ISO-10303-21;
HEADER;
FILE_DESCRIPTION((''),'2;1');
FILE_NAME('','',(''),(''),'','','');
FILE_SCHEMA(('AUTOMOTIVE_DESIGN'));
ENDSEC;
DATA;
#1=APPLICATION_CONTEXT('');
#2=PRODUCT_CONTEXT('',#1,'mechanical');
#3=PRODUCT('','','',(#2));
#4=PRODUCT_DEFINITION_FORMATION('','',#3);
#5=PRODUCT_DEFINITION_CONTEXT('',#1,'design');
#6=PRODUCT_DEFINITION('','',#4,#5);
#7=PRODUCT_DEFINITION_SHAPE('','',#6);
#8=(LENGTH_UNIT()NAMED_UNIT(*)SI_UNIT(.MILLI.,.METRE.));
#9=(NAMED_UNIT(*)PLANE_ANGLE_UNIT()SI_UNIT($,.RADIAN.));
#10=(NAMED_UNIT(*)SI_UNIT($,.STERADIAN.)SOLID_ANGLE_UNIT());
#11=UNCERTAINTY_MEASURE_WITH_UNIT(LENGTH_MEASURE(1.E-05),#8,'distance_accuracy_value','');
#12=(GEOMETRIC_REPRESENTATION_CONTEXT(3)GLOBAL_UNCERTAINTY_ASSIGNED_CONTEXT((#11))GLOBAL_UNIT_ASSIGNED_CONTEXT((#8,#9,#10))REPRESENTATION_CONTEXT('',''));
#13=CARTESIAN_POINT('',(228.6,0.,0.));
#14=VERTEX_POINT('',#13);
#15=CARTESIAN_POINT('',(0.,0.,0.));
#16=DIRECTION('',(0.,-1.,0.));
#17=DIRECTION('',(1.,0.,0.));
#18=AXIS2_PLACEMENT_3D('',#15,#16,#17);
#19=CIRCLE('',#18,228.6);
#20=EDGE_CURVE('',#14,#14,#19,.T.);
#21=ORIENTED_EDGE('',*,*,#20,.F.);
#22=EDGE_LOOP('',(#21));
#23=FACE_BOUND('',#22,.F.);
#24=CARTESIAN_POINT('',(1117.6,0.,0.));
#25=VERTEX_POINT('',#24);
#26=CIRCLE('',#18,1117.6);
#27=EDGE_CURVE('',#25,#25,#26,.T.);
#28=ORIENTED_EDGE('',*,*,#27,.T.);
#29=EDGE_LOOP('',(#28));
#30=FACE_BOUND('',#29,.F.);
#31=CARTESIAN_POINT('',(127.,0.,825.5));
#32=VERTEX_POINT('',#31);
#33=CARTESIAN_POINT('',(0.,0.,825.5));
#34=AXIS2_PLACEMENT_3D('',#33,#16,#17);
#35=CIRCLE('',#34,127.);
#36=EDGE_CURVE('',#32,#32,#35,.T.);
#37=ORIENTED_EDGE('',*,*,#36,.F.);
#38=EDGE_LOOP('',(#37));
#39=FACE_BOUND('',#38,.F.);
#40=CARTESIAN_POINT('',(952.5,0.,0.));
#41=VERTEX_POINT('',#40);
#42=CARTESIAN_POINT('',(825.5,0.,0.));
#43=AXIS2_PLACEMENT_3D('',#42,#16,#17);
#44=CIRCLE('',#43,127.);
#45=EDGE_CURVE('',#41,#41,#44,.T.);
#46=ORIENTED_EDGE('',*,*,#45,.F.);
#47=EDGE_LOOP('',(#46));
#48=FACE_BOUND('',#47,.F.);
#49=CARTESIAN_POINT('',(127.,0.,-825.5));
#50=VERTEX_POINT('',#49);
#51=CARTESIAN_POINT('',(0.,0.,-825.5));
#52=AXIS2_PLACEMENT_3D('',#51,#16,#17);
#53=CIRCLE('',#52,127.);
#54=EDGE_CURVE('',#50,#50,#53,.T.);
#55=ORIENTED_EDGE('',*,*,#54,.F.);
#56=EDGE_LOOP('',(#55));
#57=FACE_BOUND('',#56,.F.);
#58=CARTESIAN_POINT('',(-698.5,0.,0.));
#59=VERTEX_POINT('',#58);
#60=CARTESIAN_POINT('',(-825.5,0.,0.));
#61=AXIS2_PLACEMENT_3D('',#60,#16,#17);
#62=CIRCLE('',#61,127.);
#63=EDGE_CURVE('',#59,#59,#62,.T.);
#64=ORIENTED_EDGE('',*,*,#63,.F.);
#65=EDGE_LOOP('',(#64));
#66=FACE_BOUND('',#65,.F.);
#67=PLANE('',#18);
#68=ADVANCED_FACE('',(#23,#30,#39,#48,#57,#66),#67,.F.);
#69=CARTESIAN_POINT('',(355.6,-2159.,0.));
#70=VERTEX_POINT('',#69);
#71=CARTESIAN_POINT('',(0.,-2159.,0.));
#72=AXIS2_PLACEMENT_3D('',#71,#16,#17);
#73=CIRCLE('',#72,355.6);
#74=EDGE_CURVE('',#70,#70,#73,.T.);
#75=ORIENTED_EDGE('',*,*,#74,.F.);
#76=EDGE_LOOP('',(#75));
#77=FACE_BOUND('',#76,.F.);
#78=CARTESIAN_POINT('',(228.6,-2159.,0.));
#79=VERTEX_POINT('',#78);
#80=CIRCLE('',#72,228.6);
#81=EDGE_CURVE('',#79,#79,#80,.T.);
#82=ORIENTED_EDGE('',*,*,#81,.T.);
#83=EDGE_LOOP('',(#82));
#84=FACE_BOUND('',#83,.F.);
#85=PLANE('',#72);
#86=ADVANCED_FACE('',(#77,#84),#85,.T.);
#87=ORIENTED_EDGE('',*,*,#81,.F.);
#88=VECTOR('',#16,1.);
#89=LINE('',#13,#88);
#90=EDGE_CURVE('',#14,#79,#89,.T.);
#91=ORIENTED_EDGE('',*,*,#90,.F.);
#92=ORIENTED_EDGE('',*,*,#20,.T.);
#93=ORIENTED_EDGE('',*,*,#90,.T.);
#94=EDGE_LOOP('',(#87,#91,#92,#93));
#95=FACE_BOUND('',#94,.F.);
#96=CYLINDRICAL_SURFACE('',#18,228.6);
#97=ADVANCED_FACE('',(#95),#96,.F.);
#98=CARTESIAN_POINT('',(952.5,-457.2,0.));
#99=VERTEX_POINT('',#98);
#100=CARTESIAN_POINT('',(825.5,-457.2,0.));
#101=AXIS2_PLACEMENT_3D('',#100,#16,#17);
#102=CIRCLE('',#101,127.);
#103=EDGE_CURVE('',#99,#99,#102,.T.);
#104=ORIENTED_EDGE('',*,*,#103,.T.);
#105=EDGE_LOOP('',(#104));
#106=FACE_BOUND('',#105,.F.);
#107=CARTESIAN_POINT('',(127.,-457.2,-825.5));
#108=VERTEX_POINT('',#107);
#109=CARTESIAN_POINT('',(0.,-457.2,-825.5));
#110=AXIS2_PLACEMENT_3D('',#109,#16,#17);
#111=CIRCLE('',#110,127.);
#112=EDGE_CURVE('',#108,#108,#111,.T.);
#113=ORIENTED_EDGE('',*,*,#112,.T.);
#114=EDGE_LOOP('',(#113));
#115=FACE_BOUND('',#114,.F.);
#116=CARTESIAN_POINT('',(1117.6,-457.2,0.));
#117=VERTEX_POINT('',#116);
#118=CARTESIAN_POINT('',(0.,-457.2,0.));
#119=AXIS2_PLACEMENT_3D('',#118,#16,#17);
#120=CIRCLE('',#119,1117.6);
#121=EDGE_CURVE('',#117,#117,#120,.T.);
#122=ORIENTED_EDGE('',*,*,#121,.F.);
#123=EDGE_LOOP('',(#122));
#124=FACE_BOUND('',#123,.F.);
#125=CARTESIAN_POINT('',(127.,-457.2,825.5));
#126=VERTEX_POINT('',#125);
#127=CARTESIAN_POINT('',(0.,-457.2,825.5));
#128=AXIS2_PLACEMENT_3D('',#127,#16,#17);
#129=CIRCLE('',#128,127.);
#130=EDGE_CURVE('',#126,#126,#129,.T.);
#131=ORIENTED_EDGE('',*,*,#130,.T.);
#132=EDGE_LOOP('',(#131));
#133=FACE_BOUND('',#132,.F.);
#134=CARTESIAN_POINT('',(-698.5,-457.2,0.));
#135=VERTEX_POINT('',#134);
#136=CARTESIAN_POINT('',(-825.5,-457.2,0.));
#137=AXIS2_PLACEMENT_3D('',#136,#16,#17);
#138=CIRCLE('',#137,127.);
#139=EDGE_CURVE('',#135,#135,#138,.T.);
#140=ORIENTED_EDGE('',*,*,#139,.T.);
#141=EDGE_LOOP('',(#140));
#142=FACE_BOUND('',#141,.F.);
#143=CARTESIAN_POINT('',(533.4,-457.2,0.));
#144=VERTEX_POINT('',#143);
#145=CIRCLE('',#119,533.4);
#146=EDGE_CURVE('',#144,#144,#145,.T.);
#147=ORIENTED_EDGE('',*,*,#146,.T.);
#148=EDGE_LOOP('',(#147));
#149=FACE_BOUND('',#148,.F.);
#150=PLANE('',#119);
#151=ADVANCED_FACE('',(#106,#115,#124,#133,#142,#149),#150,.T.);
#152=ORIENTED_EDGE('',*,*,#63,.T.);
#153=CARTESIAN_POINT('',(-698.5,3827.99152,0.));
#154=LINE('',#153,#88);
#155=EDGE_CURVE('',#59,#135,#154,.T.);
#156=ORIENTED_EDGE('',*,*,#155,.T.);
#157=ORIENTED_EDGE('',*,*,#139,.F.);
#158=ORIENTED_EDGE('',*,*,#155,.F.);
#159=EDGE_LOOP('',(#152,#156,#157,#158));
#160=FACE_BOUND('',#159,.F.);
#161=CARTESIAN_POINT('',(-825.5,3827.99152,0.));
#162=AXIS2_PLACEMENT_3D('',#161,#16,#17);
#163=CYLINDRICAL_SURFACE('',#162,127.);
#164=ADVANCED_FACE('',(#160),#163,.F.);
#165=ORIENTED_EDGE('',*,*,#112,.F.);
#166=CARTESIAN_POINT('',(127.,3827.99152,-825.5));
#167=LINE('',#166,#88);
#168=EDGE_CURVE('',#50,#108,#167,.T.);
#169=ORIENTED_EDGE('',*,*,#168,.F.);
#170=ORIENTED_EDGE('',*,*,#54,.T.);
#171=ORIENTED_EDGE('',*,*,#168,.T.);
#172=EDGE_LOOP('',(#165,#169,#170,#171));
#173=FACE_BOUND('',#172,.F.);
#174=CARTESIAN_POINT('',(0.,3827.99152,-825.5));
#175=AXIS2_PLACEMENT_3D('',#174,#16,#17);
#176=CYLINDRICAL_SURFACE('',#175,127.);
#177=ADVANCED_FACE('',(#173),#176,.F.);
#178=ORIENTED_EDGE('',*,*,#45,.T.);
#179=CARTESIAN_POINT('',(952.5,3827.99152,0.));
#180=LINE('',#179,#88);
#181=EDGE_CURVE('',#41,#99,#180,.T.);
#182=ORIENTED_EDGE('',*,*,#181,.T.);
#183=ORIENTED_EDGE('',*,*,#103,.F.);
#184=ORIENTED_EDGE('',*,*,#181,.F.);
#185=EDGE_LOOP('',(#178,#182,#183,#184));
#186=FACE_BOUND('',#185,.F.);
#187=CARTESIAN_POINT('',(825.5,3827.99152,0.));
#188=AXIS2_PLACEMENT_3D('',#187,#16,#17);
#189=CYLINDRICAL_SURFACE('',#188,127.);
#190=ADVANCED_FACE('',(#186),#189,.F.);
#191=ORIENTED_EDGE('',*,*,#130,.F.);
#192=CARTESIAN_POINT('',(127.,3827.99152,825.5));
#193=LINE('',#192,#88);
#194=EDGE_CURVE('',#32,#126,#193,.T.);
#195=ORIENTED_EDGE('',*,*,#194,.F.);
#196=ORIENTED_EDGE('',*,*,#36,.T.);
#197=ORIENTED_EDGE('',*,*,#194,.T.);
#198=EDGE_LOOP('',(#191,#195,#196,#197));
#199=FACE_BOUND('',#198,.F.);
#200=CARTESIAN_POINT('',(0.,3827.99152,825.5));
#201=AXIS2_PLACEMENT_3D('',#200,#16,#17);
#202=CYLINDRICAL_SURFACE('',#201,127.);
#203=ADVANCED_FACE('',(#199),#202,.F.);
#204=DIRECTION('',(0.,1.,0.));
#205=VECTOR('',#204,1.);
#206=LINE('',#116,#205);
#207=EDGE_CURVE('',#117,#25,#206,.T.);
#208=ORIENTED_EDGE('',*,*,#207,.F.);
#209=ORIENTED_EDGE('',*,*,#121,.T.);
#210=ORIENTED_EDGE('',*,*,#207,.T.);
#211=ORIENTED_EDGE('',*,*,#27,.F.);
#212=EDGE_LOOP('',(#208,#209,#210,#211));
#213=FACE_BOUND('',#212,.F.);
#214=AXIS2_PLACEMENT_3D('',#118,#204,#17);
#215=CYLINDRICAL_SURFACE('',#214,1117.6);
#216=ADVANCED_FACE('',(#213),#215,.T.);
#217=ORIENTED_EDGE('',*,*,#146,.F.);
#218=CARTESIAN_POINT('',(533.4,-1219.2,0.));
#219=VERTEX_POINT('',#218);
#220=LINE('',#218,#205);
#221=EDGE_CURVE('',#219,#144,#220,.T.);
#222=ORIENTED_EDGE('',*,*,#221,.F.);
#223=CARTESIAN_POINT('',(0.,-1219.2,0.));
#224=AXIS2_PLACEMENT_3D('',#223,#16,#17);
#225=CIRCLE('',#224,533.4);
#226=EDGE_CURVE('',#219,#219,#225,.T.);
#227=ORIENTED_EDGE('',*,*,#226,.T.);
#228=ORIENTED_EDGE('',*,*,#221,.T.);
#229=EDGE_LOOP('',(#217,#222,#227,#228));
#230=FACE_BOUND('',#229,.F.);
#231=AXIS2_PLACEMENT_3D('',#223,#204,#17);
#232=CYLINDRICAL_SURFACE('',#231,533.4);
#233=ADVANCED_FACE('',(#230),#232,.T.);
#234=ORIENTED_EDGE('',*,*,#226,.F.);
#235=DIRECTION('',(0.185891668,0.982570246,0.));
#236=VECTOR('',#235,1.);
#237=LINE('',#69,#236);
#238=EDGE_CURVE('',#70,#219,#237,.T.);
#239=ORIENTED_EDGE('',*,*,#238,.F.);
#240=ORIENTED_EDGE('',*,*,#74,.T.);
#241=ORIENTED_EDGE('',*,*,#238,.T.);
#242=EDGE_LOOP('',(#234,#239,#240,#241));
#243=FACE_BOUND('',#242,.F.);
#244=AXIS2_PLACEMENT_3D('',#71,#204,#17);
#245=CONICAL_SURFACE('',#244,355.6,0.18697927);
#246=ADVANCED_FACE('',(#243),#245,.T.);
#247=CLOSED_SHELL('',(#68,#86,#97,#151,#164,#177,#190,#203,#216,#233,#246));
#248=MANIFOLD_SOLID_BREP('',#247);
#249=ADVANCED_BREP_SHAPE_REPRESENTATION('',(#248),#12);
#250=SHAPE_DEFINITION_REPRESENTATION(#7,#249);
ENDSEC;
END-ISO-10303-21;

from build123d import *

# Parameters (mm, degrees)
F4_D = 254


with BuildPart() as f2:
    # F1 (on face) → F2 (revolve)
    with BuildSketch(Plane.XY):
        Polygon((1117.6, -457.2), (1117.6, 0), (228.6, 0), (228.6, -2159), (355.6, -2159), (533.4, -1219.2), (533.4, -457.2), align=None)
    revolve(axis=Axis((0, -1079.5, 0), (0, -1, 0)))

    # F4 (through all)
    with Locations(Plane(origin=(0, 0, 0), x_dir=(-1, 0, 0), z_dir=(0, 1, 0))):
        with Locations((0, 825.5), (-825.5, 0), (825.5, 0), (0, -825.5)):
            Hole(F4_D / 2)


solid = f2.part
